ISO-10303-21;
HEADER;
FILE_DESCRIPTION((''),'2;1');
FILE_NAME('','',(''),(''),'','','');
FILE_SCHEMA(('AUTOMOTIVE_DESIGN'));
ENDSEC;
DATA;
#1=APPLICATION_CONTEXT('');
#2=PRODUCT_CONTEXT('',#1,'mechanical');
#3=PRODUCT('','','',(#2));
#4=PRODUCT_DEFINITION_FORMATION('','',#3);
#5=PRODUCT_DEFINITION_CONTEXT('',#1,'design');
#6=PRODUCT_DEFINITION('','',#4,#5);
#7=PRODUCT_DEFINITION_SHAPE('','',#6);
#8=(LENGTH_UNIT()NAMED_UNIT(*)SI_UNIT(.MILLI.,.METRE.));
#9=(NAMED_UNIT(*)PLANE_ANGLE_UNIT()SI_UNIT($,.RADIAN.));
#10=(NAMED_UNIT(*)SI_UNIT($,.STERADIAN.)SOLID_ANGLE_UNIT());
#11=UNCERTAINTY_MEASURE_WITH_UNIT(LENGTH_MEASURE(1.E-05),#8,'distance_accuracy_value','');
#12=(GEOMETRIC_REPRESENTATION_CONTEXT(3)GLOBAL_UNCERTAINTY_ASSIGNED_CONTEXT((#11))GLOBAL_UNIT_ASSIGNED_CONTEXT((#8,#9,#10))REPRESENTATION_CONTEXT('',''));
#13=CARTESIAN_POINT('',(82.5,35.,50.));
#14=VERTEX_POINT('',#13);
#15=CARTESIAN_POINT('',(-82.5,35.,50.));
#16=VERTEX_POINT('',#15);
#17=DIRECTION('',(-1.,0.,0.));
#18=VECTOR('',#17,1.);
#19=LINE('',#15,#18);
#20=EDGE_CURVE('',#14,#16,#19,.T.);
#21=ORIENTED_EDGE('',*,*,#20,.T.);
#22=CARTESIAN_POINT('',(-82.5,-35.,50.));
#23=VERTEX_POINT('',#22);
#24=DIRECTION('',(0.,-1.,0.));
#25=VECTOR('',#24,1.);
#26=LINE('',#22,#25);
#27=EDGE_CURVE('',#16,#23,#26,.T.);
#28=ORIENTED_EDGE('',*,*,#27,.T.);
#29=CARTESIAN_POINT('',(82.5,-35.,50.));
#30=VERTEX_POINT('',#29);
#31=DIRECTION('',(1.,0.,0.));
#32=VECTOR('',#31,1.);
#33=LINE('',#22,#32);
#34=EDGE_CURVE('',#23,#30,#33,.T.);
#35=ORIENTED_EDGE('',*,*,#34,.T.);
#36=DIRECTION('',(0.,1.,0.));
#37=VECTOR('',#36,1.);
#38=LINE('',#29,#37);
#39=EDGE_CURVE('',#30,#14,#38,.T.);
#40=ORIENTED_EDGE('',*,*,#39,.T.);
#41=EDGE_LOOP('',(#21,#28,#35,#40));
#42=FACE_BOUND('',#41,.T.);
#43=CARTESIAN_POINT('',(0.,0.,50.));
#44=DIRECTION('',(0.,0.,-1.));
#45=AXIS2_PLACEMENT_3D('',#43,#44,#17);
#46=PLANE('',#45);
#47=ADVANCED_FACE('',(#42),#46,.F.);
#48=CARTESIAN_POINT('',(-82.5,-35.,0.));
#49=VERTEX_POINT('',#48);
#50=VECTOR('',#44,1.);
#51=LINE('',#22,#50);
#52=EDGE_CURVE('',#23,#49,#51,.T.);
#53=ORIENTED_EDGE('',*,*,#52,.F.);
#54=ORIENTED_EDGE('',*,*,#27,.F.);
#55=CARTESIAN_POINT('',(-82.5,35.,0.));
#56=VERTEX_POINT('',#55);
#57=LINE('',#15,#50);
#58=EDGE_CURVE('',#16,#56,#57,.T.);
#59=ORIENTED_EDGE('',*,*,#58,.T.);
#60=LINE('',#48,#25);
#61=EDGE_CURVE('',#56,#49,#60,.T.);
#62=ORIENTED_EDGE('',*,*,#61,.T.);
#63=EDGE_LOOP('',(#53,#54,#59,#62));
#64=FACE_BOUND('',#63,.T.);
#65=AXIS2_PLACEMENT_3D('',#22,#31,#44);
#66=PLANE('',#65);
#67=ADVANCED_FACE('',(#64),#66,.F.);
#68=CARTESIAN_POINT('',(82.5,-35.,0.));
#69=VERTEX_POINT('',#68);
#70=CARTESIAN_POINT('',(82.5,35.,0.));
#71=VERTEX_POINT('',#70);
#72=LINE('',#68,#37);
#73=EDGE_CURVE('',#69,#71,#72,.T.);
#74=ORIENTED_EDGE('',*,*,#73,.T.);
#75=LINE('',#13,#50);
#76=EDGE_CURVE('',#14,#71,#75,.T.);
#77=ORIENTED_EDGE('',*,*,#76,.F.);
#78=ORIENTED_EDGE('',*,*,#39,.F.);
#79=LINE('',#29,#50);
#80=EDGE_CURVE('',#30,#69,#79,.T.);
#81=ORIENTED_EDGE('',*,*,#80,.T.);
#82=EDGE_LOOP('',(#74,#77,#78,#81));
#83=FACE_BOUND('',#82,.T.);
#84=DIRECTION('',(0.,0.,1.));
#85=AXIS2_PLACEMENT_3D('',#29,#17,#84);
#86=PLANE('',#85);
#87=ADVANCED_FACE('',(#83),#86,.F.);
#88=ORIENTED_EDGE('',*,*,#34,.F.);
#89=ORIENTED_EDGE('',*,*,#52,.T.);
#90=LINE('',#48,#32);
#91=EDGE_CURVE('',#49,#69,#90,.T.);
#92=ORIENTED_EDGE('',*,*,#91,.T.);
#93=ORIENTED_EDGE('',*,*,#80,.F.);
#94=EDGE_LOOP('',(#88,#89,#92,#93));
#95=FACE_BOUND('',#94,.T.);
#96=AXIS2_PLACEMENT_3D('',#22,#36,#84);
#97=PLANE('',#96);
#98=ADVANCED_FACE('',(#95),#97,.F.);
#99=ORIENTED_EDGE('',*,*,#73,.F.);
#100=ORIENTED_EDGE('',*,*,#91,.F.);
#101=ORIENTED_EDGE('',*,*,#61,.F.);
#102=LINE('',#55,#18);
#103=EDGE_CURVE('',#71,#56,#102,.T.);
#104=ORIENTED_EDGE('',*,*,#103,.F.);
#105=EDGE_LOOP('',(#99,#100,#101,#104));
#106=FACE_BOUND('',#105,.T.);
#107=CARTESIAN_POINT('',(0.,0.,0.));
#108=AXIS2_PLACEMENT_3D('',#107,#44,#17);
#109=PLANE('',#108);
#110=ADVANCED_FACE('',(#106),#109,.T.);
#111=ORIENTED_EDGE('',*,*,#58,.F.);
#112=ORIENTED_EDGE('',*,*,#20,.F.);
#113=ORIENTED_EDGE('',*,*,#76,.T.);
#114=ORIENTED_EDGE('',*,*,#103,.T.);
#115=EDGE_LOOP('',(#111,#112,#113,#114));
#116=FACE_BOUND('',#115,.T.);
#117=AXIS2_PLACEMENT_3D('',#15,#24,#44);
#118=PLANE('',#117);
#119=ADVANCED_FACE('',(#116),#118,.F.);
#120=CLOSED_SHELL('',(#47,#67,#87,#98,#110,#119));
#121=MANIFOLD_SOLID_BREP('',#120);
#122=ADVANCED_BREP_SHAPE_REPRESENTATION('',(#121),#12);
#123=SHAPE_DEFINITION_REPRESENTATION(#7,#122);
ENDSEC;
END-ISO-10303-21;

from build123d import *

# Parameters (mm, degrees)
SKETCH_1_W      = 165
SKETCH_1_H      = 70
EXTRUDE_1_DEPTH = 50


with BuildPart() as part:
    # 草图1 → 凸台-拉伸1 (new body)
    with BuildSketch(Plane.XY):
        Rectangle(SKETCH_1_W, SKETCH_1_H)
    extrude(amount=EXTRUDE_1_DEPTH)


solid = part.part
